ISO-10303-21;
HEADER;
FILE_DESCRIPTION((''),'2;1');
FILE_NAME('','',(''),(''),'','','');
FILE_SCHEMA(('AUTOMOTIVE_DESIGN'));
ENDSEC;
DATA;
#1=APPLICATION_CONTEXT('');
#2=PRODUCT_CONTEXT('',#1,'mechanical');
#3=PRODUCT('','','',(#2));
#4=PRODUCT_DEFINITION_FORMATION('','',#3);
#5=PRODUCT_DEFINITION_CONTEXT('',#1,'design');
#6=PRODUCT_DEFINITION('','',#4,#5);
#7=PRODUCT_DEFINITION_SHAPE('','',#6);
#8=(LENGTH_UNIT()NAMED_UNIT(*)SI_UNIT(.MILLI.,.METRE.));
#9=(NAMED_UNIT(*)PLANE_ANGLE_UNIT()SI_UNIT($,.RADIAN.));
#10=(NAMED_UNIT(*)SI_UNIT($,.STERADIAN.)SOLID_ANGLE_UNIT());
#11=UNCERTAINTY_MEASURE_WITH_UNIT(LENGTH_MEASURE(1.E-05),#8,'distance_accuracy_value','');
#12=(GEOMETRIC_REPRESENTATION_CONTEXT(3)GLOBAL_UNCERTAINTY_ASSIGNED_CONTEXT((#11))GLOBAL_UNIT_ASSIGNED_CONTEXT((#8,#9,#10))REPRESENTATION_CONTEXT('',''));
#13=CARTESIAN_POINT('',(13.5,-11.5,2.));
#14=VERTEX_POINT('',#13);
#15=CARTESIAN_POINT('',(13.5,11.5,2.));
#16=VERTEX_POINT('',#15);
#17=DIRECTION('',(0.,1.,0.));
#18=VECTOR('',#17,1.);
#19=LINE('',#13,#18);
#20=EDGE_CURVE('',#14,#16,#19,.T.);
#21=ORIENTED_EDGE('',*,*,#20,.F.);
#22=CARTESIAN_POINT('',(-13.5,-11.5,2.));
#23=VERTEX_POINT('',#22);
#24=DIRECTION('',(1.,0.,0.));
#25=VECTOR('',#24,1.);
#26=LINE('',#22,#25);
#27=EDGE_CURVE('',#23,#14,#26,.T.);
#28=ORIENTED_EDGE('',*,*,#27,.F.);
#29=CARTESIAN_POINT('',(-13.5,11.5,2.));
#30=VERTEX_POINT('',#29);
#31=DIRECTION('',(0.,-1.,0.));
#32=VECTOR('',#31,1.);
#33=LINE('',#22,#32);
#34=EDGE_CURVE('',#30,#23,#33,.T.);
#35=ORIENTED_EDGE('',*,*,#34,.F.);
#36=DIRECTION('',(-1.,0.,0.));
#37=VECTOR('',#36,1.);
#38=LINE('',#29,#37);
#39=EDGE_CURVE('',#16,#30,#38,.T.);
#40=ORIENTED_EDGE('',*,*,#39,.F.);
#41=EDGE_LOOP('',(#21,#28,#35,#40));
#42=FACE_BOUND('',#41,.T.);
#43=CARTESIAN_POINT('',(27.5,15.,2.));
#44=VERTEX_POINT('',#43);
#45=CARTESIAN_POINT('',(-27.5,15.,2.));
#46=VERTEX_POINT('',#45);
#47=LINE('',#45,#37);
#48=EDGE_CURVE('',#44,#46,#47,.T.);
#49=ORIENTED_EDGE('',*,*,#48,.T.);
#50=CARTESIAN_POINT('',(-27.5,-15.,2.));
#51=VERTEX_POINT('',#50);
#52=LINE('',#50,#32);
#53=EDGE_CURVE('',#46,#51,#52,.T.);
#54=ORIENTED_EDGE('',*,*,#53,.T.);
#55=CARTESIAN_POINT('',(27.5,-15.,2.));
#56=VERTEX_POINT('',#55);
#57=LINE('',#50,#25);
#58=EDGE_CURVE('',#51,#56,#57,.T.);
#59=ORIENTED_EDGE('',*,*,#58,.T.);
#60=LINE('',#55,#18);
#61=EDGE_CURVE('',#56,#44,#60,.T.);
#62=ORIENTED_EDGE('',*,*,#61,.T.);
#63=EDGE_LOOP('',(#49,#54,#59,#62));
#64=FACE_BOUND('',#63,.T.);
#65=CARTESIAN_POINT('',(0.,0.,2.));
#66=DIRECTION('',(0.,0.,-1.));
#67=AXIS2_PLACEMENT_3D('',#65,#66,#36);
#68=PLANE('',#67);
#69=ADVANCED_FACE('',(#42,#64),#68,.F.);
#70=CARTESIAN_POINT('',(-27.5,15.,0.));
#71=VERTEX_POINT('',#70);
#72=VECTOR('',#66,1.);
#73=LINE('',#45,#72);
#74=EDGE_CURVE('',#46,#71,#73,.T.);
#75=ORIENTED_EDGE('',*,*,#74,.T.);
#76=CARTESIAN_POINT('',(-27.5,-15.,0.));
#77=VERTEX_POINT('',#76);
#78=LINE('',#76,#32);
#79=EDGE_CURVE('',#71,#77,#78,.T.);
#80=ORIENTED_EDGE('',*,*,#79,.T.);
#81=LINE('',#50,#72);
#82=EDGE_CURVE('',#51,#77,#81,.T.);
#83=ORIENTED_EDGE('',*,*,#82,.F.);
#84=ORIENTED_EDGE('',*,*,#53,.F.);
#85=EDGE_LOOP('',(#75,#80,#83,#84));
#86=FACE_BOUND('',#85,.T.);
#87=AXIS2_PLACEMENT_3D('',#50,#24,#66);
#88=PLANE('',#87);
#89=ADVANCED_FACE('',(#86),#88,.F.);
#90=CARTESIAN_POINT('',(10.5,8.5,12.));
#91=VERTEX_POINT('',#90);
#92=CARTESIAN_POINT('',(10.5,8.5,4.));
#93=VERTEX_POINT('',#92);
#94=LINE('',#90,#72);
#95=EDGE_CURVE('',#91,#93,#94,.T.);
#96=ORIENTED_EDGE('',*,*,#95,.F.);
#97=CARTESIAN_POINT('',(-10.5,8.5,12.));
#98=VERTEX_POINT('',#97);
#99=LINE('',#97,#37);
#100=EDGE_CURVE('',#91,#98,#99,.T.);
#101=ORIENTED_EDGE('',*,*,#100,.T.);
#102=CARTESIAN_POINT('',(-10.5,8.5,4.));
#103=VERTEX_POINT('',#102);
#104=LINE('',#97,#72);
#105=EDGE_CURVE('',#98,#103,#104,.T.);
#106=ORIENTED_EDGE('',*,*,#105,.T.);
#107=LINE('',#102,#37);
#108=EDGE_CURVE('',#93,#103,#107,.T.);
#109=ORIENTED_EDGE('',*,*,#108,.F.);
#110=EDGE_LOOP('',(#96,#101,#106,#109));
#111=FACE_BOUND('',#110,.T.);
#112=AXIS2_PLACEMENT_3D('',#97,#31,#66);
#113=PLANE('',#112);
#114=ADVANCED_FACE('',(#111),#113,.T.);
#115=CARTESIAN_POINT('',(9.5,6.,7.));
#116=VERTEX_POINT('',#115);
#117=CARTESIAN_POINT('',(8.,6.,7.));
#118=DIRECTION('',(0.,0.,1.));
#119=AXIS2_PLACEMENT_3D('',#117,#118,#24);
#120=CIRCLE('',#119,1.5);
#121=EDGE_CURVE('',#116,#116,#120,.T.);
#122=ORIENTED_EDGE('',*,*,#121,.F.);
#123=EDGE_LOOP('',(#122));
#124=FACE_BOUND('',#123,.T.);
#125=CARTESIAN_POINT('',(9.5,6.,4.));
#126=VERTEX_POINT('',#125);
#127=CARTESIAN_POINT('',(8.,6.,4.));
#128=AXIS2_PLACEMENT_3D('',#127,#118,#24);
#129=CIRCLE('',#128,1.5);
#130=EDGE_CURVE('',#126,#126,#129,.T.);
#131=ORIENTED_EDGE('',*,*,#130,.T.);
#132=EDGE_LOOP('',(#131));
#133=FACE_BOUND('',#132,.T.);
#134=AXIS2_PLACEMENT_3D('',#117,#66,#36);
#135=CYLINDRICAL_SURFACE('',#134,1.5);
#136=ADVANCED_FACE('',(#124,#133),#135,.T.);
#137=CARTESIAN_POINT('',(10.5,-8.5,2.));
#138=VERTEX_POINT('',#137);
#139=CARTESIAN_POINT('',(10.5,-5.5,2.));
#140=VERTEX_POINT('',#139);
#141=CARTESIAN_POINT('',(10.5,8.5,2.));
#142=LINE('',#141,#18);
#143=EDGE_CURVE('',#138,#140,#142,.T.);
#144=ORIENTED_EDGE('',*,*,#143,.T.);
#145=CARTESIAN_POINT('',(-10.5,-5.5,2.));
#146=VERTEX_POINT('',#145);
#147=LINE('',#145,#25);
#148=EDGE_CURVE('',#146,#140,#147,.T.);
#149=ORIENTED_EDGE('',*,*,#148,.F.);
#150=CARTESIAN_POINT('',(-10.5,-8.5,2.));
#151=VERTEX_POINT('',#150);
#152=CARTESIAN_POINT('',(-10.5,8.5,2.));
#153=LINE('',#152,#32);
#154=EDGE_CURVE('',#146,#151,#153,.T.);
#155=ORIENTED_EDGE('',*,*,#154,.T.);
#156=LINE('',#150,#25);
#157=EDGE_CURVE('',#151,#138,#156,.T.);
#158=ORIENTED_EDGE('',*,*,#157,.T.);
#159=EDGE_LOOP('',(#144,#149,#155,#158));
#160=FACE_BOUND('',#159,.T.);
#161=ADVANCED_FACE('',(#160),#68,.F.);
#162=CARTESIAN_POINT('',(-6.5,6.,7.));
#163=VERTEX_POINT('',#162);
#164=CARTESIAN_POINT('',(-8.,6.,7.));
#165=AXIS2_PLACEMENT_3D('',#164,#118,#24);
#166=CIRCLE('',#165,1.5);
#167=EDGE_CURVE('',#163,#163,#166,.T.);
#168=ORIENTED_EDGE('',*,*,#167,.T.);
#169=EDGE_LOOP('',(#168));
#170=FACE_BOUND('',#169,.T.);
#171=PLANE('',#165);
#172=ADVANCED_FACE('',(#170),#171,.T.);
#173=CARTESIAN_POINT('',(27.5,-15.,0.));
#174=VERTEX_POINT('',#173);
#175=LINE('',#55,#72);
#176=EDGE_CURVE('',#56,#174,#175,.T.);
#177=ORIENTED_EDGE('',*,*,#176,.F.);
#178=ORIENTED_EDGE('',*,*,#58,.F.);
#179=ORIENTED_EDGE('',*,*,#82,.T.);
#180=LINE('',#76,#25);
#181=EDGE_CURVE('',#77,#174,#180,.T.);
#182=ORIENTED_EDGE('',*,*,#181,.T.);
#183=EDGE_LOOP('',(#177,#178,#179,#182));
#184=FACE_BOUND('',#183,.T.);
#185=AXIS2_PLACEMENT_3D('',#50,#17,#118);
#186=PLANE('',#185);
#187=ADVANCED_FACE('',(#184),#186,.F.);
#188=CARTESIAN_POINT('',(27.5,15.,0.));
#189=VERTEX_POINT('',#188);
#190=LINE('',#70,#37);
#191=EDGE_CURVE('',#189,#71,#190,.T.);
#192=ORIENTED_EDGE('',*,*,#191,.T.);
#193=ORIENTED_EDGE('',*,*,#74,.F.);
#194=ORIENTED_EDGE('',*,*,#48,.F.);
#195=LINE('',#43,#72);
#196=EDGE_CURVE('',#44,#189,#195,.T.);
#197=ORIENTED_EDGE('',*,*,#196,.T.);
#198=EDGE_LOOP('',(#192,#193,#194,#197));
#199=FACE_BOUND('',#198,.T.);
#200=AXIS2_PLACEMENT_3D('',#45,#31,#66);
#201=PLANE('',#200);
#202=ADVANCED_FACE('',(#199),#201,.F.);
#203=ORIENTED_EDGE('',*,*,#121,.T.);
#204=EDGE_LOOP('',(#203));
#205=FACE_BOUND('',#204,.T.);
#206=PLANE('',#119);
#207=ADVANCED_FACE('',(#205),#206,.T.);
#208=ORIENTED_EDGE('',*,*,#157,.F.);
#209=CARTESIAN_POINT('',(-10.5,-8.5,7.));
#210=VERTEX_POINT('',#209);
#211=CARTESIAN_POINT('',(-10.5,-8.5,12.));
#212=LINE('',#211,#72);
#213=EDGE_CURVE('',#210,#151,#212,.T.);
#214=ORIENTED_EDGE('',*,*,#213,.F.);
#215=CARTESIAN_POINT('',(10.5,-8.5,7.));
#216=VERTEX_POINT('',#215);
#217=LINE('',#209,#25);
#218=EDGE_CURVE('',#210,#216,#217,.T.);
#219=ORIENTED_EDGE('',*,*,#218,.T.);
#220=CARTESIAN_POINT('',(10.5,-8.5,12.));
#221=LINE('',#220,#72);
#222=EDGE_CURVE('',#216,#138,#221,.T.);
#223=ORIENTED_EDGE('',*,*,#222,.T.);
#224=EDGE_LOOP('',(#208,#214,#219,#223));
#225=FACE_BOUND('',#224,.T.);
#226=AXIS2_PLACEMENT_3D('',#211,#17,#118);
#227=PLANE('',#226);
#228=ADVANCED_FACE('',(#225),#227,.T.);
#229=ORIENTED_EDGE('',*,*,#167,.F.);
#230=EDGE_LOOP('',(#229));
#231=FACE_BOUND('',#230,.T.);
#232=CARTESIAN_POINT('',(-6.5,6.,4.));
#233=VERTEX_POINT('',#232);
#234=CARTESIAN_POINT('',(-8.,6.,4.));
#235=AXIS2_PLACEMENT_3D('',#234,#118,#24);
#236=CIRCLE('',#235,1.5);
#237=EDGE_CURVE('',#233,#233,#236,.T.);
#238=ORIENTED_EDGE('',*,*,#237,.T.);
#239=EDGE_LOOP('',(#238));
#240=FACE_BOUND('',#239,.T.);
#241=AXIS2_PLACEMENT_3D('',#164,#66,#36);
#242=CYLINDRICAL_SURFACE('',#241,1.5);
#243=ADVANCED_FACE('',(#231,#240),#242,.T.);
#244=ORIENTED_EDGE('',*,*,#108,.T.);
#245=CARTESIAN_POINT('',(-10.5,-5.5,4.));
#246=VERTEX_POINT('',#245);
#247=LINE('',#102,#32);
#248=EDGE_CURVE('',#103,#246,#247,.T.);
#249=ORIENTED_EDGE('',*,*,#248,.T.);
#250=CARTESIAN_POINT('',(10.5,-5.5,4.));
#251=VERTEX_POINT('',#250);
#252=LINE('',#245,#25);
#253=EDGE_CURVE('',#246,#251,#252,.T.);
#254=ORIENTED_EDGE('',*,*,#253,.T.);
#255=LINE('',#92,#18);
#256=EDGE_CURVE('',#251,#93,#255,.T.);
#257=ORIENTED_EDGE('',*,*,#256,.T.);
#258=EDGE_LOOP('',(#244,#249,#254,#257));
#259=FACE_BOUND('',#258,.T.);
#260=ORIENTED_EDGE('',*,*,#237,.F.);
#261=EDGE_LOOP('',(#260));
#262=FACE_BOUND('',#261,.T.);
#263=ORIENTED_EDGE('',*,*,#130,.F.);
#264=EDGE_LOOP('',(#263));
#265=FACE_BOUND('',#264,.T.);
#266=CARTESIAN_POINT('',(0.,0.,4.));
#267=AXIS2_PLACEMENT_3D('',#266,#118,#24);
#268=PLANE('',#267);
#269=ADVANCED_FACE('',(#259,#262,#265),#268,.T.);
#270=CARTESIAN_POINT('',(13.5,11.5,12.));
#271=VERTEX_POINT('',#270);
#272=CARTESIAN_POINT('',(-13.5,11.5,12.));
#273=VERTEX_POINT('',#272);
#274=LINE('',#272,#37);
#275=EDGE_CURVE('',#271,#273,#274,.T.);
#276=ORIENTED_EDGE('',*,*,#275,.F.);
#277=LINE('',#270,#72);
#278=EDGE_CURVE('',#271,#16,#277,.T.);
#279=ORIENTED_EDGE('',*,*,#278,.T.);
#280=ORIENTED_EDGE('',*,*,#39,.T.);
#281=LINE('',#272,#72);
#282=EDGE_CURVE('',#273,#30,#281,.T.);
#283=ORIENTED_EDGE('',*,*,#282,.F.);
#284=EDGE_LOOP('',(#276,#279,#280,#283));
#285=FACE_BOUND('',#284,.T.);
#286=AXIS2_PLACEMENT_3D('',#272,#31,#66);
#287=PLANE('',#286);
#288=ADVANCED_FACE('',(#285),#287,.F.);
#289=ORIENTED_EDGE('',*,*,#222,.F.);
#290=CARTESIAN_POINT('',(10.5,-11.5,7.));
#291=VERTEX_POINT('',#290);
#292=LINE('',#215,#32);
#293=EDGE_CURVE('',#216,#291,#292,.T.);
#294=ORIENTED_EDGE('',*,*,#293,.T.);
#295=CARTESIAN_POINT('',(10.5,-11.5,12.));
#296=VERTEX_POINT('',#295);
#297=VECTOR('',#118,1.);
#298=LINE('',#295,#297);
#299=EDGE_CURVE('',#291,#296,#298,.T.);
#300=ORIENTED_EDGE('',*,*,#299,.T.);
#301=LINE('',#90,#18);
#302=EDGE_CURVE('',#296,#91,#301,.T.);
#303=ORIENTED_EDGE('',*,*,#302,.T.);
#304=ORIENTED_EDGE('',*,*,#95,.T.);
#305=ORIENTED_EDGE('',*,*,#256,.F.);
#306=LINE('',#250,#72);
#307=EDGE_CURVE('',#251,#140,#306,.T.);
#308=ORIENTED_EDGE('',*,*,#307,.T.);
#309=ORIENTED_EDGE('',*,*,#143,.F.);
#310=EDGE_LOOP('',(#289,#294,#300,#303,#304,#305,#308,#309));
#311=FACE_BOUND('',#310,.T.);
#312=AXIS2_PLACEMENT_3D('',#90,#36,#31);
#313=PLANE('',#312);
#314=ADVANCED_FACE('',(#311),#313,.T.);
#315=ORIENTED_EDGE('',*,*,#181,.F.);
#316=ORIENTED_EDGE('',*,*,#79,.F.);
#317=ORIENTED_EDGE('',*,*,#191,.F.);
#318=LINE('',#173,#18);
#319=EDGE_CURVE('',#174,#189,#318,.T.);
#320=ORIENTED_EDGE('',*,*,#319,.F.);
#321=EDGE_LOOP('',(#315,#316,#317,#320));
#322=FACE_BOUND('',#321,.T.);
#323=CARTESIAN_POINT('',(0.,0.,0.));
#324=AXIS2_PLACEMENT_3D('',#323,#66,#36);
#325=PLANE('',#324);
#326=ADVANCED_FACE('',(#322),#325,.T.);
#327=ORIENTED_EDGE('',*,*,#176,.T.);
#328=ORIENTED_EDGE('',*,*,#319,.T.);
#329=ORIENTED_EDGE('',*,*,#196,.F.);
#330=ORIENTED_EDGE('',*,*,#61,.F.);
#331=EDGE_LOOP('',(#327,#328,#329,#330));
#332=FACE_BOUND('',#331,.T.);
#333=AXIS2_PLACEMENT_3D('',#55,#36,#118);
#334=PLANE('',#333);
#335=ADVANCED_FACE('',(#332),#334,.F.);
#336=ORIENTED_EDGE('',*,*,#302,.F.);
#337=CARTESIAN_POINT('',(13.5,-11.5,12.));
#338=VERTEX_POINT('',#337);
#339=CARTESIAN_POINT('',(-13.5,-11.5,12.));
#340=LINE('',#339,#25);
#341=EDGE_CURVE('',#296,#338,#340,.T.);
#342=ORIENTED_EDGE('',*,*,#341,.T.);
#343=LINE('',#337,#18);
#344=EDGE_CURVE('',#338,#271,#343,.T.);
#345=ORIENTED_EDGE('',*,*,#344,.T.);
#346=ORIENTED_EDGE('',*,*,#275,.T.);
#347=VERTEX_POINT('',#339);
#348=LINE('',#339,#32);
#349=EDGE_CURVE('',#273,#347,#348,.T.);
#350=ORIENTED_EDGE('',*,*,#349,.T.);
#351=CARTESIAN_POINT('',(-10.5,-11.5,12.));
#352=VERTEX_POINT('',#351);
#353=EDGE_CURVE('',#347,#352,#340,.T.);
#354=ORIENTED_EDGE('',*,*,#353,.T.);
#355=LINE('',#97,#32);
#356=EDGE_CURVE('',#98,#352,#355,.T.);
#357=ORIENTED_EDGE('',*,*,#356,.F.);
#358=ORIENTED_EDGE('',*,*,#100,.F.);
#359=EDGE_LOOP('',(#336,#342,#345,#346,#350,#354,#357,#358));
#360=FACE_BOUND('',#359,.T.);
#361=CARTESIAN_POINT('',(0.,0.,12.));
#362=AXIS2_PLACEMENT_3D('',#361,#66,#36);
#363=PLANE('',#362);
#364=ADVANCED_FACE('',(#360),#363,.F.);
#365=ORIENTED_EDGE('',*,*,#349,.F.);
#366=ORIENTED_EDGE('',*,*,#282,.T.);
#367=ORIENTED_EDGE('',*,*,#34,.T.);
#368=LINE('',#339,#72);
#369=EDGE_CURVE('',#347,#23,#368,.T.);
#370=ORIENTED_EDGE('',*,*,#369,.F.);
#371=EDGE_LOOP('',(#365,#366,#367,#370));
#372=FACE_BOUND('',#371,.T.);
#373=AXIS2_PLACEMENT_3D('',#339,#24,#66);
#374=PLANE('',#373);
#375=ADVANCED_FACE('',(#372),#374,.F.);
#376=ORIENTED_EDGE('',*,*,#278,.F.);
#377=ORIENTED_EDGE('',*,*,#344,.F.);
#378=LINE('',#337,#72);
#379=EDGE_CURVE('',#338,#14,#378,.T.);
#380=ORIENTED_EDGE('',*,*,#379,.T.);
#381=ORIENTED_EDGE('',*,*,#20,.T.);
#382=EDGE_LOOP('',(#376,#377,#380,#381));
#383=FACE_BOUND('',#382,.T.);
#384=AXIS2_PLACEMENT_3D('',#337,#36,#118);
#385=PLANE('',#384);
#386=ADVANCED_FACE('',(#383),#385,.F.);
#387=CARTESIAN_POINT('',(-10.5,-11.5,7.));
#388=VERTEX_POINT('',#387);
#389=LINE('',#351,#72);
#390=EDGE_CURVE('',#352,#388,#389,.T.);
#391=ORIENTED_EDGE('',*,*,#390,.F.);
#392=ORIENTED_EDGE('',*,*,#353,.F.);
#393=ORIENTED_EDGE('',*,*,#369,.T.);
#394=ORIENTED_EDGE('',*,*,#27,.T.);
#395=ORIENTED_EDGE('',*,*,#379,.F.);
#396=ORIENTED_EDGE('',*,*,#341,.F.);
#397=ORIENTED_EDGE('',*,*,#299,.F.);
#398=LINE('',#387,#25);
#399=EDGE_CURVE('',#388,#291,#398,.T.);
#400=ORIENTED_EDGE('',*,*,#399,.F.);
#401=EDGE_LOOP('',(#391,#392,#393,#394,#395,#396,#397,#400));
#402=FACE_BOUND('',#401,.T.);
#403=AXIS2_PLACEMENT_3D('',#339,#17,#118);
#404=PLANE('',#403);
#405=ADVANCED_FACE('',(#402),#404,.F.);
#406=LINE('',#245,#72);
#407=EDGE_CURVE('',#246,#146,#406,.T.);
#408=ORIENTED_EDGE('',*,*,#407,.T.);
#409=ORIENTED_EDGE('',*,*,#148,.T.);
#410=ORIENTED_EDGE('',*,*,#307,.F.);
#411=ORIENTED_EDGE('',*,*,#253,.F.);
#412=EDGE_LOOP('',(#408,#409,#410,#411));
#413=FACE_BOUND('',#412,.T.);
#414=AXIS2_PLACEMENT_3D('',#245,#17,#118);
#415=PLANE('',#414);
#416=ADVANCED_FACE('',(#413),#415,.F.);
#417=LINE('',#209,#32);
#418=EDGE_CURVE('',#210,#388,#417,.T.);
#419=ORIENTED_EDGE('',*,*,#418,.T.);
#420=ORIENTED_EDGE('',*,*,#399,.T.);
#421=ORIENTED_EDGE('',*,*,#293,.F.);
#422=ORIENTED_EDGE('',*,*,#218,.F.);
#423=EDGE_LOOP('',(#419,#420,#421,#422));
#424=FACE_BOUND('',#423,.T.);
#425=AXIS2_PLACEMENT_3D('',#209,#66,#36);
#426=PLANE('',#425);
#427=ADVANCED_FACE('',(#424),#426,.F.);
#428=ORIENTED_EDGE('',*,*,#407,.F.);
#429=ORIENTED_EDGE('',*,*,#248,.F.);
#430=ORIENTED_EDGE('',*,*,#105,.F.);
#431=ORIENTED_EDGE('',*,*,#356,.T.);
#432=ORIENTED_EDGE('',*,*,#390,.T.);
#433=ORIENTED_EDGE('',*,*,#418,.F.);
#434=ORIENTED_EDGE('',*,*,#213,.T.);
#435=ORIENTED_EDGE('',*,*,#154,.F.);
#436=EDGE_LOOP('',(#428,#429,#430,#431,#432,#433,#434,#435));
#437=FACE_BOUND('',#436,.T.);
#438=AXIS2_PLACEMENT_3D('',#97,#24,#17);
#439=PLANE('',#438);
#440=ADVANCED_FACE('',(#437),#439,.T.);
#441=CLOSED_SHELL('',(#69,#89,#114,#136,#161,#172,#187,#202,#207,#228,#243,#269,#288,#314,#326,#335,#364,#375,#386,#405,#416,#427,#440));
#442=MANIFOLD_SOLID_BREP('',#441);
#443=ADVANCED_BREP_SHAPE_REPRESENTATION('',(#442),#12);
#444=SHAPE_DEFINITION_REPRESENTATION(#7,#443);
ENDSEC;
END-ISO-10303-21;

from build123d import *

# Parameters (mm, degrees)
SKETCH1_W           = 55
SKETCH1_H           = 30
BOSS_EXTRUDE2_DEPTH = 2
SKETCH8_W           = 27
SKETCH8_H           = 23
SKETCH8_W_2         = 21
SKETCH8_H_2         = 17
BOSS_EXTRUDE3_DEPTH = 10
SKETCH10_W          = 21
SKETCH10_H          = 14
BOSS_EXTRUDE4_DEPTH = 2
SKETCH13_W          = 21
SKETCH13_H          = 5
CUT_EXTRUDE3_DEPTH  = 3
SKETCH14_R          = 1.5
BOSS_EXTRUDE5_DEPTH = 3


with BuildPart() as part:
    # Sketch1 → Boss-Extrude2 (new body)
    with BuildSketch(Plane.XY):
        Rectangle(SKETCH1_W, SKETCH1_H)
    extrude(amount=BOSS_EXTRUDE2_DEPTH)

    # Sketch8 → Boss-Extrude3 (add)
    with BuildSketch(Plane.XY.offset(2)):
        Rectangle(SKETCH8_W, SKETCH8_H)
        Rectangle(SKETCH8_W_2, SKETCH8_H_2, mode=Mode.SUBTRACT)
    extrude(amount=BOSS_EXTRUDE3_DEPTH)

    # Sketch10 → Boss-Extrude4 (add)
    with BuildSketch(Plane.XY.offset(2)):
        with Locations((0, 1.5)):
            Rectangle(SKETCH10_W, SKETCH10_H)
    extrude(amount=BOSS_EXTRUDE4_DEPTH)

    # Sketch13 → Cut-Extrude3 (cut)
    with BuildSketch(Plane.XZ.offset(11.5)):
        with Locations((0, 9.5)):
            Rectangle(SKETCH13_W, SKETCH13_H)
    extrude(amount=-CUT_EXTRUDE3_DEPTH, mode=Mode.SUBTRACT)

    # Sketch14 → Boss-Extrude5 (add)
    with BuildSketch(Plane.XY.offset(4)):
        with Locations((-8, 6)):
            Circle(SKETCH14_R)
        with Locations((8, 6)):
            Circle(SKETCH14_R)
    extrude(amount=BOSS_EXTRUDE5_DEPTH)


solid = part.part
